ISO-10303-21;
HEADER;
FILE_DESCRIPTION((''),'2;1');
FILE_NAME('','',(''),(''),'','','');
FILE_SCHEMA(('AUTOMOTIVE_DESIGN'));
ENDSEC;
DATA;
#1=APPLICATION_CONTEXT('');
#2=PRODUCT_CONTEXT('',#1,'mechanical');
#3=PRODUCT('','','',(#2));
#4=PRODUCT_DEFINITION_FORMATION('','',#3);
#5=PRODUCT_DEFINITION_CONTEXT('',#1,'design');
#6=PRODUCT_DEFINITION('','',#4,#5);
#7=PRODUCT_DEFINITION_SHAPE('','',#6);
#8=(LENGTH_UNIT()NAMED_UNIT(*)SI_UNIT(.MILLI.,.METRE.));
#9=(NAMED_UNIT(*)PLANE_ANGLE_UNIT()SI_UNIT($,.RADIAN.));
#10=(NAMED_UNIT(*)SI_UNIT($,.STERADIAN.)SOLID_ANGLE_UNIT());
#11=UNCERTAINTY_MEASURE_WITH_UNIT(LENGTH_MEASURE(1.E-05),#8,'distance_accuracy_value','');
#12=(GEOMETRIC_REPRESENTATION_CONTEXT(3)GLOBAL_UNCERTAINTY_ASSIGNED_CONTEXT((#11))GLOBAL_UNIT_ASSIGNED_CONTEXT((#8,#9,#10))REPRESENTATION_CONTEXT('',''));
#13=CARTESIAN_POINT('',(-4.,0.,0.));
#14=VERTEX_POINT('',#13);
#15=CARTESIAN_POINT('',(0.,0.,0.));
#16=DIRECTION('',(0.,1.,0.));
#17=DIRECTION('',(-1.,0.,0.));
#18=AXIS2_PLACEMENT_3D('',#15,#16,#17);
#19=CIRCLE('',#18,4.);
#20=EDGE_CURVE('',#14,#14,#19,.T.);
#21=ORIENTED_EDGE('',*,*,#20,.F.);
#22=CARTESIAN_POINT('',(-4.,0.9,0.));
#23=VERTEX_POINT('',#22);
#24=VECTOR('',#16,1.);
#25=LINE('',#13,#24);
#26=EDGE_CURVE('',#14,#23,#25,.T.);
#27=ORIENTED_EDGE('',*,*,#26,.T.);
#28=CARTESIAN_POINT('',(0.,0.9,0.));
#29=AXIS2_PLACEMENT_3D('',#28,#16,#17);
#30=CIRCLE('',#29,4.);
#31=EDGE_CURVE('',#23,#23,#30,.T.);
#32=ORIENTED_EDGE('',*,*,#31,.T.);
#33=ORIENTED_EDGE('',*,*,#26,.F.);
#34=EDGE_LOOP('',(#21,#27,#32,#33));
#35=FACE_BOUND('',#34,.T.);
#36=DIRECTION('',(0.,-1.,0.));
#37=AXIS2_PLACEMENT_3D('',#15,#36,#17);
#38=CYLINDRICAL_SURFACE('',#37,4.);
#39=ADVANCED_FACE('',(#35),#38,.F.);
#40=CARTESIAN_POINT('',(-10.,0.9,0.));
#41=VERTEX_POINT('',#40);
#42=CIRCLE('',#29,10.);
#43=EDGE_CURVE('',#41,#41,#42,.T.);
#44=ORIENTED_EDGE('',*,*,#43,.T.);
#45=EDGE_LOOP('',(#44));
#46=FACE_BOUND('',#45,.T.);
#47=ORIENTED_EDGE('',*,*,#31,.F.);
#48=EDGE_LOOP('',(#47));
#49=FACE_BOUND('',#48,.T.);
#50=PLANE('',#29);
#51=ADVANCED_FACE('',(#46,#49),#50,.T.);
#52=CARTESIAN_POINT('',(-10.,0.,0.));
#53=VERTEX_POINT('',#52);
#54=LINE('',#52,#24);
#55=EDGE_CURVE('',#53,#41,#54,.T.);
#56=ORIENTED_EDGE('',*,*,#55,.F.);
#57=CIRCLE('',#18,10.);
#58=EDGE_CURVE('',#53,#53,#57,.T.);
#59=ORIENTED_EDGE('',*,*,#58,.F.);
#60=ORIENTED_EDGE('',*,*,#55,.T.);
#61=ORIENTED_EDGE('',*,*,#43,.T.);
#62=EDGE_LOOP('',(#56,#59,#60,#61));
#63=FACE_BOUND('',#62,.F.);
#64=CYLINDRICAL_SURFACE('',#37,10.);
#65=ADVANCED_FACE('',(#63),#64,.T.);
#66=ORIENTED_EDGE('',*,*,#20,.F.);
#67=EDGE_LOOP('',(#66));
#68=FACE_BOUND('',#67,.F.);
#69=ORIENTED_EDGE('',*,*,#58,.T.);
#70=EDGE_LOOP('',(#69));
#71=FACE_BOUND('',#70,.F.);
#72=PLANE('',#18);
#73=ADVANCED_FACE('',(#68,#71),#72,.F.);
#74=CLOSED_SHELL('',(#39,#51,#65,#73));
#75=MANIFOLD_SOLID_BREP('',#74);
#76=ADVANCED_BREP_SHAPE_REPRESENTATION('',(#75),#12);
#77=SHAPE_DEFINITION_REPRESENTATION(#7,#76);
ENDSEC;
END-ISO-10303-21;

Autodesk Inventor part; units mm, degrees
ref_plane "YZ Plane" through (0, 0, 0) normal (1, 0, 0) x (0, 1, 0)
ref_plane "XZ Plane" through (0, 0, 0) normal (0, 1, 0) x (-1, 0, 0)
ref_plane "XY Plane" through (0, 0, 0) normal (0, 0, 1) x (1, 0, 0)
sketch "スケッチ1" plane through (0, 0, 0) normal (0, 1, 0) x (-1, 0, 0)
  circle A0 centre (0, 0) radius 10
  circle A1 centre (0, 0) radius 4
  dimension "d0" = 20
  dimension "d2" = 8
extrude "押し出し1" add sketch "スケッチ1" along normal blind 0.9
properties part number "01" material "アセタール樹脂、白"
